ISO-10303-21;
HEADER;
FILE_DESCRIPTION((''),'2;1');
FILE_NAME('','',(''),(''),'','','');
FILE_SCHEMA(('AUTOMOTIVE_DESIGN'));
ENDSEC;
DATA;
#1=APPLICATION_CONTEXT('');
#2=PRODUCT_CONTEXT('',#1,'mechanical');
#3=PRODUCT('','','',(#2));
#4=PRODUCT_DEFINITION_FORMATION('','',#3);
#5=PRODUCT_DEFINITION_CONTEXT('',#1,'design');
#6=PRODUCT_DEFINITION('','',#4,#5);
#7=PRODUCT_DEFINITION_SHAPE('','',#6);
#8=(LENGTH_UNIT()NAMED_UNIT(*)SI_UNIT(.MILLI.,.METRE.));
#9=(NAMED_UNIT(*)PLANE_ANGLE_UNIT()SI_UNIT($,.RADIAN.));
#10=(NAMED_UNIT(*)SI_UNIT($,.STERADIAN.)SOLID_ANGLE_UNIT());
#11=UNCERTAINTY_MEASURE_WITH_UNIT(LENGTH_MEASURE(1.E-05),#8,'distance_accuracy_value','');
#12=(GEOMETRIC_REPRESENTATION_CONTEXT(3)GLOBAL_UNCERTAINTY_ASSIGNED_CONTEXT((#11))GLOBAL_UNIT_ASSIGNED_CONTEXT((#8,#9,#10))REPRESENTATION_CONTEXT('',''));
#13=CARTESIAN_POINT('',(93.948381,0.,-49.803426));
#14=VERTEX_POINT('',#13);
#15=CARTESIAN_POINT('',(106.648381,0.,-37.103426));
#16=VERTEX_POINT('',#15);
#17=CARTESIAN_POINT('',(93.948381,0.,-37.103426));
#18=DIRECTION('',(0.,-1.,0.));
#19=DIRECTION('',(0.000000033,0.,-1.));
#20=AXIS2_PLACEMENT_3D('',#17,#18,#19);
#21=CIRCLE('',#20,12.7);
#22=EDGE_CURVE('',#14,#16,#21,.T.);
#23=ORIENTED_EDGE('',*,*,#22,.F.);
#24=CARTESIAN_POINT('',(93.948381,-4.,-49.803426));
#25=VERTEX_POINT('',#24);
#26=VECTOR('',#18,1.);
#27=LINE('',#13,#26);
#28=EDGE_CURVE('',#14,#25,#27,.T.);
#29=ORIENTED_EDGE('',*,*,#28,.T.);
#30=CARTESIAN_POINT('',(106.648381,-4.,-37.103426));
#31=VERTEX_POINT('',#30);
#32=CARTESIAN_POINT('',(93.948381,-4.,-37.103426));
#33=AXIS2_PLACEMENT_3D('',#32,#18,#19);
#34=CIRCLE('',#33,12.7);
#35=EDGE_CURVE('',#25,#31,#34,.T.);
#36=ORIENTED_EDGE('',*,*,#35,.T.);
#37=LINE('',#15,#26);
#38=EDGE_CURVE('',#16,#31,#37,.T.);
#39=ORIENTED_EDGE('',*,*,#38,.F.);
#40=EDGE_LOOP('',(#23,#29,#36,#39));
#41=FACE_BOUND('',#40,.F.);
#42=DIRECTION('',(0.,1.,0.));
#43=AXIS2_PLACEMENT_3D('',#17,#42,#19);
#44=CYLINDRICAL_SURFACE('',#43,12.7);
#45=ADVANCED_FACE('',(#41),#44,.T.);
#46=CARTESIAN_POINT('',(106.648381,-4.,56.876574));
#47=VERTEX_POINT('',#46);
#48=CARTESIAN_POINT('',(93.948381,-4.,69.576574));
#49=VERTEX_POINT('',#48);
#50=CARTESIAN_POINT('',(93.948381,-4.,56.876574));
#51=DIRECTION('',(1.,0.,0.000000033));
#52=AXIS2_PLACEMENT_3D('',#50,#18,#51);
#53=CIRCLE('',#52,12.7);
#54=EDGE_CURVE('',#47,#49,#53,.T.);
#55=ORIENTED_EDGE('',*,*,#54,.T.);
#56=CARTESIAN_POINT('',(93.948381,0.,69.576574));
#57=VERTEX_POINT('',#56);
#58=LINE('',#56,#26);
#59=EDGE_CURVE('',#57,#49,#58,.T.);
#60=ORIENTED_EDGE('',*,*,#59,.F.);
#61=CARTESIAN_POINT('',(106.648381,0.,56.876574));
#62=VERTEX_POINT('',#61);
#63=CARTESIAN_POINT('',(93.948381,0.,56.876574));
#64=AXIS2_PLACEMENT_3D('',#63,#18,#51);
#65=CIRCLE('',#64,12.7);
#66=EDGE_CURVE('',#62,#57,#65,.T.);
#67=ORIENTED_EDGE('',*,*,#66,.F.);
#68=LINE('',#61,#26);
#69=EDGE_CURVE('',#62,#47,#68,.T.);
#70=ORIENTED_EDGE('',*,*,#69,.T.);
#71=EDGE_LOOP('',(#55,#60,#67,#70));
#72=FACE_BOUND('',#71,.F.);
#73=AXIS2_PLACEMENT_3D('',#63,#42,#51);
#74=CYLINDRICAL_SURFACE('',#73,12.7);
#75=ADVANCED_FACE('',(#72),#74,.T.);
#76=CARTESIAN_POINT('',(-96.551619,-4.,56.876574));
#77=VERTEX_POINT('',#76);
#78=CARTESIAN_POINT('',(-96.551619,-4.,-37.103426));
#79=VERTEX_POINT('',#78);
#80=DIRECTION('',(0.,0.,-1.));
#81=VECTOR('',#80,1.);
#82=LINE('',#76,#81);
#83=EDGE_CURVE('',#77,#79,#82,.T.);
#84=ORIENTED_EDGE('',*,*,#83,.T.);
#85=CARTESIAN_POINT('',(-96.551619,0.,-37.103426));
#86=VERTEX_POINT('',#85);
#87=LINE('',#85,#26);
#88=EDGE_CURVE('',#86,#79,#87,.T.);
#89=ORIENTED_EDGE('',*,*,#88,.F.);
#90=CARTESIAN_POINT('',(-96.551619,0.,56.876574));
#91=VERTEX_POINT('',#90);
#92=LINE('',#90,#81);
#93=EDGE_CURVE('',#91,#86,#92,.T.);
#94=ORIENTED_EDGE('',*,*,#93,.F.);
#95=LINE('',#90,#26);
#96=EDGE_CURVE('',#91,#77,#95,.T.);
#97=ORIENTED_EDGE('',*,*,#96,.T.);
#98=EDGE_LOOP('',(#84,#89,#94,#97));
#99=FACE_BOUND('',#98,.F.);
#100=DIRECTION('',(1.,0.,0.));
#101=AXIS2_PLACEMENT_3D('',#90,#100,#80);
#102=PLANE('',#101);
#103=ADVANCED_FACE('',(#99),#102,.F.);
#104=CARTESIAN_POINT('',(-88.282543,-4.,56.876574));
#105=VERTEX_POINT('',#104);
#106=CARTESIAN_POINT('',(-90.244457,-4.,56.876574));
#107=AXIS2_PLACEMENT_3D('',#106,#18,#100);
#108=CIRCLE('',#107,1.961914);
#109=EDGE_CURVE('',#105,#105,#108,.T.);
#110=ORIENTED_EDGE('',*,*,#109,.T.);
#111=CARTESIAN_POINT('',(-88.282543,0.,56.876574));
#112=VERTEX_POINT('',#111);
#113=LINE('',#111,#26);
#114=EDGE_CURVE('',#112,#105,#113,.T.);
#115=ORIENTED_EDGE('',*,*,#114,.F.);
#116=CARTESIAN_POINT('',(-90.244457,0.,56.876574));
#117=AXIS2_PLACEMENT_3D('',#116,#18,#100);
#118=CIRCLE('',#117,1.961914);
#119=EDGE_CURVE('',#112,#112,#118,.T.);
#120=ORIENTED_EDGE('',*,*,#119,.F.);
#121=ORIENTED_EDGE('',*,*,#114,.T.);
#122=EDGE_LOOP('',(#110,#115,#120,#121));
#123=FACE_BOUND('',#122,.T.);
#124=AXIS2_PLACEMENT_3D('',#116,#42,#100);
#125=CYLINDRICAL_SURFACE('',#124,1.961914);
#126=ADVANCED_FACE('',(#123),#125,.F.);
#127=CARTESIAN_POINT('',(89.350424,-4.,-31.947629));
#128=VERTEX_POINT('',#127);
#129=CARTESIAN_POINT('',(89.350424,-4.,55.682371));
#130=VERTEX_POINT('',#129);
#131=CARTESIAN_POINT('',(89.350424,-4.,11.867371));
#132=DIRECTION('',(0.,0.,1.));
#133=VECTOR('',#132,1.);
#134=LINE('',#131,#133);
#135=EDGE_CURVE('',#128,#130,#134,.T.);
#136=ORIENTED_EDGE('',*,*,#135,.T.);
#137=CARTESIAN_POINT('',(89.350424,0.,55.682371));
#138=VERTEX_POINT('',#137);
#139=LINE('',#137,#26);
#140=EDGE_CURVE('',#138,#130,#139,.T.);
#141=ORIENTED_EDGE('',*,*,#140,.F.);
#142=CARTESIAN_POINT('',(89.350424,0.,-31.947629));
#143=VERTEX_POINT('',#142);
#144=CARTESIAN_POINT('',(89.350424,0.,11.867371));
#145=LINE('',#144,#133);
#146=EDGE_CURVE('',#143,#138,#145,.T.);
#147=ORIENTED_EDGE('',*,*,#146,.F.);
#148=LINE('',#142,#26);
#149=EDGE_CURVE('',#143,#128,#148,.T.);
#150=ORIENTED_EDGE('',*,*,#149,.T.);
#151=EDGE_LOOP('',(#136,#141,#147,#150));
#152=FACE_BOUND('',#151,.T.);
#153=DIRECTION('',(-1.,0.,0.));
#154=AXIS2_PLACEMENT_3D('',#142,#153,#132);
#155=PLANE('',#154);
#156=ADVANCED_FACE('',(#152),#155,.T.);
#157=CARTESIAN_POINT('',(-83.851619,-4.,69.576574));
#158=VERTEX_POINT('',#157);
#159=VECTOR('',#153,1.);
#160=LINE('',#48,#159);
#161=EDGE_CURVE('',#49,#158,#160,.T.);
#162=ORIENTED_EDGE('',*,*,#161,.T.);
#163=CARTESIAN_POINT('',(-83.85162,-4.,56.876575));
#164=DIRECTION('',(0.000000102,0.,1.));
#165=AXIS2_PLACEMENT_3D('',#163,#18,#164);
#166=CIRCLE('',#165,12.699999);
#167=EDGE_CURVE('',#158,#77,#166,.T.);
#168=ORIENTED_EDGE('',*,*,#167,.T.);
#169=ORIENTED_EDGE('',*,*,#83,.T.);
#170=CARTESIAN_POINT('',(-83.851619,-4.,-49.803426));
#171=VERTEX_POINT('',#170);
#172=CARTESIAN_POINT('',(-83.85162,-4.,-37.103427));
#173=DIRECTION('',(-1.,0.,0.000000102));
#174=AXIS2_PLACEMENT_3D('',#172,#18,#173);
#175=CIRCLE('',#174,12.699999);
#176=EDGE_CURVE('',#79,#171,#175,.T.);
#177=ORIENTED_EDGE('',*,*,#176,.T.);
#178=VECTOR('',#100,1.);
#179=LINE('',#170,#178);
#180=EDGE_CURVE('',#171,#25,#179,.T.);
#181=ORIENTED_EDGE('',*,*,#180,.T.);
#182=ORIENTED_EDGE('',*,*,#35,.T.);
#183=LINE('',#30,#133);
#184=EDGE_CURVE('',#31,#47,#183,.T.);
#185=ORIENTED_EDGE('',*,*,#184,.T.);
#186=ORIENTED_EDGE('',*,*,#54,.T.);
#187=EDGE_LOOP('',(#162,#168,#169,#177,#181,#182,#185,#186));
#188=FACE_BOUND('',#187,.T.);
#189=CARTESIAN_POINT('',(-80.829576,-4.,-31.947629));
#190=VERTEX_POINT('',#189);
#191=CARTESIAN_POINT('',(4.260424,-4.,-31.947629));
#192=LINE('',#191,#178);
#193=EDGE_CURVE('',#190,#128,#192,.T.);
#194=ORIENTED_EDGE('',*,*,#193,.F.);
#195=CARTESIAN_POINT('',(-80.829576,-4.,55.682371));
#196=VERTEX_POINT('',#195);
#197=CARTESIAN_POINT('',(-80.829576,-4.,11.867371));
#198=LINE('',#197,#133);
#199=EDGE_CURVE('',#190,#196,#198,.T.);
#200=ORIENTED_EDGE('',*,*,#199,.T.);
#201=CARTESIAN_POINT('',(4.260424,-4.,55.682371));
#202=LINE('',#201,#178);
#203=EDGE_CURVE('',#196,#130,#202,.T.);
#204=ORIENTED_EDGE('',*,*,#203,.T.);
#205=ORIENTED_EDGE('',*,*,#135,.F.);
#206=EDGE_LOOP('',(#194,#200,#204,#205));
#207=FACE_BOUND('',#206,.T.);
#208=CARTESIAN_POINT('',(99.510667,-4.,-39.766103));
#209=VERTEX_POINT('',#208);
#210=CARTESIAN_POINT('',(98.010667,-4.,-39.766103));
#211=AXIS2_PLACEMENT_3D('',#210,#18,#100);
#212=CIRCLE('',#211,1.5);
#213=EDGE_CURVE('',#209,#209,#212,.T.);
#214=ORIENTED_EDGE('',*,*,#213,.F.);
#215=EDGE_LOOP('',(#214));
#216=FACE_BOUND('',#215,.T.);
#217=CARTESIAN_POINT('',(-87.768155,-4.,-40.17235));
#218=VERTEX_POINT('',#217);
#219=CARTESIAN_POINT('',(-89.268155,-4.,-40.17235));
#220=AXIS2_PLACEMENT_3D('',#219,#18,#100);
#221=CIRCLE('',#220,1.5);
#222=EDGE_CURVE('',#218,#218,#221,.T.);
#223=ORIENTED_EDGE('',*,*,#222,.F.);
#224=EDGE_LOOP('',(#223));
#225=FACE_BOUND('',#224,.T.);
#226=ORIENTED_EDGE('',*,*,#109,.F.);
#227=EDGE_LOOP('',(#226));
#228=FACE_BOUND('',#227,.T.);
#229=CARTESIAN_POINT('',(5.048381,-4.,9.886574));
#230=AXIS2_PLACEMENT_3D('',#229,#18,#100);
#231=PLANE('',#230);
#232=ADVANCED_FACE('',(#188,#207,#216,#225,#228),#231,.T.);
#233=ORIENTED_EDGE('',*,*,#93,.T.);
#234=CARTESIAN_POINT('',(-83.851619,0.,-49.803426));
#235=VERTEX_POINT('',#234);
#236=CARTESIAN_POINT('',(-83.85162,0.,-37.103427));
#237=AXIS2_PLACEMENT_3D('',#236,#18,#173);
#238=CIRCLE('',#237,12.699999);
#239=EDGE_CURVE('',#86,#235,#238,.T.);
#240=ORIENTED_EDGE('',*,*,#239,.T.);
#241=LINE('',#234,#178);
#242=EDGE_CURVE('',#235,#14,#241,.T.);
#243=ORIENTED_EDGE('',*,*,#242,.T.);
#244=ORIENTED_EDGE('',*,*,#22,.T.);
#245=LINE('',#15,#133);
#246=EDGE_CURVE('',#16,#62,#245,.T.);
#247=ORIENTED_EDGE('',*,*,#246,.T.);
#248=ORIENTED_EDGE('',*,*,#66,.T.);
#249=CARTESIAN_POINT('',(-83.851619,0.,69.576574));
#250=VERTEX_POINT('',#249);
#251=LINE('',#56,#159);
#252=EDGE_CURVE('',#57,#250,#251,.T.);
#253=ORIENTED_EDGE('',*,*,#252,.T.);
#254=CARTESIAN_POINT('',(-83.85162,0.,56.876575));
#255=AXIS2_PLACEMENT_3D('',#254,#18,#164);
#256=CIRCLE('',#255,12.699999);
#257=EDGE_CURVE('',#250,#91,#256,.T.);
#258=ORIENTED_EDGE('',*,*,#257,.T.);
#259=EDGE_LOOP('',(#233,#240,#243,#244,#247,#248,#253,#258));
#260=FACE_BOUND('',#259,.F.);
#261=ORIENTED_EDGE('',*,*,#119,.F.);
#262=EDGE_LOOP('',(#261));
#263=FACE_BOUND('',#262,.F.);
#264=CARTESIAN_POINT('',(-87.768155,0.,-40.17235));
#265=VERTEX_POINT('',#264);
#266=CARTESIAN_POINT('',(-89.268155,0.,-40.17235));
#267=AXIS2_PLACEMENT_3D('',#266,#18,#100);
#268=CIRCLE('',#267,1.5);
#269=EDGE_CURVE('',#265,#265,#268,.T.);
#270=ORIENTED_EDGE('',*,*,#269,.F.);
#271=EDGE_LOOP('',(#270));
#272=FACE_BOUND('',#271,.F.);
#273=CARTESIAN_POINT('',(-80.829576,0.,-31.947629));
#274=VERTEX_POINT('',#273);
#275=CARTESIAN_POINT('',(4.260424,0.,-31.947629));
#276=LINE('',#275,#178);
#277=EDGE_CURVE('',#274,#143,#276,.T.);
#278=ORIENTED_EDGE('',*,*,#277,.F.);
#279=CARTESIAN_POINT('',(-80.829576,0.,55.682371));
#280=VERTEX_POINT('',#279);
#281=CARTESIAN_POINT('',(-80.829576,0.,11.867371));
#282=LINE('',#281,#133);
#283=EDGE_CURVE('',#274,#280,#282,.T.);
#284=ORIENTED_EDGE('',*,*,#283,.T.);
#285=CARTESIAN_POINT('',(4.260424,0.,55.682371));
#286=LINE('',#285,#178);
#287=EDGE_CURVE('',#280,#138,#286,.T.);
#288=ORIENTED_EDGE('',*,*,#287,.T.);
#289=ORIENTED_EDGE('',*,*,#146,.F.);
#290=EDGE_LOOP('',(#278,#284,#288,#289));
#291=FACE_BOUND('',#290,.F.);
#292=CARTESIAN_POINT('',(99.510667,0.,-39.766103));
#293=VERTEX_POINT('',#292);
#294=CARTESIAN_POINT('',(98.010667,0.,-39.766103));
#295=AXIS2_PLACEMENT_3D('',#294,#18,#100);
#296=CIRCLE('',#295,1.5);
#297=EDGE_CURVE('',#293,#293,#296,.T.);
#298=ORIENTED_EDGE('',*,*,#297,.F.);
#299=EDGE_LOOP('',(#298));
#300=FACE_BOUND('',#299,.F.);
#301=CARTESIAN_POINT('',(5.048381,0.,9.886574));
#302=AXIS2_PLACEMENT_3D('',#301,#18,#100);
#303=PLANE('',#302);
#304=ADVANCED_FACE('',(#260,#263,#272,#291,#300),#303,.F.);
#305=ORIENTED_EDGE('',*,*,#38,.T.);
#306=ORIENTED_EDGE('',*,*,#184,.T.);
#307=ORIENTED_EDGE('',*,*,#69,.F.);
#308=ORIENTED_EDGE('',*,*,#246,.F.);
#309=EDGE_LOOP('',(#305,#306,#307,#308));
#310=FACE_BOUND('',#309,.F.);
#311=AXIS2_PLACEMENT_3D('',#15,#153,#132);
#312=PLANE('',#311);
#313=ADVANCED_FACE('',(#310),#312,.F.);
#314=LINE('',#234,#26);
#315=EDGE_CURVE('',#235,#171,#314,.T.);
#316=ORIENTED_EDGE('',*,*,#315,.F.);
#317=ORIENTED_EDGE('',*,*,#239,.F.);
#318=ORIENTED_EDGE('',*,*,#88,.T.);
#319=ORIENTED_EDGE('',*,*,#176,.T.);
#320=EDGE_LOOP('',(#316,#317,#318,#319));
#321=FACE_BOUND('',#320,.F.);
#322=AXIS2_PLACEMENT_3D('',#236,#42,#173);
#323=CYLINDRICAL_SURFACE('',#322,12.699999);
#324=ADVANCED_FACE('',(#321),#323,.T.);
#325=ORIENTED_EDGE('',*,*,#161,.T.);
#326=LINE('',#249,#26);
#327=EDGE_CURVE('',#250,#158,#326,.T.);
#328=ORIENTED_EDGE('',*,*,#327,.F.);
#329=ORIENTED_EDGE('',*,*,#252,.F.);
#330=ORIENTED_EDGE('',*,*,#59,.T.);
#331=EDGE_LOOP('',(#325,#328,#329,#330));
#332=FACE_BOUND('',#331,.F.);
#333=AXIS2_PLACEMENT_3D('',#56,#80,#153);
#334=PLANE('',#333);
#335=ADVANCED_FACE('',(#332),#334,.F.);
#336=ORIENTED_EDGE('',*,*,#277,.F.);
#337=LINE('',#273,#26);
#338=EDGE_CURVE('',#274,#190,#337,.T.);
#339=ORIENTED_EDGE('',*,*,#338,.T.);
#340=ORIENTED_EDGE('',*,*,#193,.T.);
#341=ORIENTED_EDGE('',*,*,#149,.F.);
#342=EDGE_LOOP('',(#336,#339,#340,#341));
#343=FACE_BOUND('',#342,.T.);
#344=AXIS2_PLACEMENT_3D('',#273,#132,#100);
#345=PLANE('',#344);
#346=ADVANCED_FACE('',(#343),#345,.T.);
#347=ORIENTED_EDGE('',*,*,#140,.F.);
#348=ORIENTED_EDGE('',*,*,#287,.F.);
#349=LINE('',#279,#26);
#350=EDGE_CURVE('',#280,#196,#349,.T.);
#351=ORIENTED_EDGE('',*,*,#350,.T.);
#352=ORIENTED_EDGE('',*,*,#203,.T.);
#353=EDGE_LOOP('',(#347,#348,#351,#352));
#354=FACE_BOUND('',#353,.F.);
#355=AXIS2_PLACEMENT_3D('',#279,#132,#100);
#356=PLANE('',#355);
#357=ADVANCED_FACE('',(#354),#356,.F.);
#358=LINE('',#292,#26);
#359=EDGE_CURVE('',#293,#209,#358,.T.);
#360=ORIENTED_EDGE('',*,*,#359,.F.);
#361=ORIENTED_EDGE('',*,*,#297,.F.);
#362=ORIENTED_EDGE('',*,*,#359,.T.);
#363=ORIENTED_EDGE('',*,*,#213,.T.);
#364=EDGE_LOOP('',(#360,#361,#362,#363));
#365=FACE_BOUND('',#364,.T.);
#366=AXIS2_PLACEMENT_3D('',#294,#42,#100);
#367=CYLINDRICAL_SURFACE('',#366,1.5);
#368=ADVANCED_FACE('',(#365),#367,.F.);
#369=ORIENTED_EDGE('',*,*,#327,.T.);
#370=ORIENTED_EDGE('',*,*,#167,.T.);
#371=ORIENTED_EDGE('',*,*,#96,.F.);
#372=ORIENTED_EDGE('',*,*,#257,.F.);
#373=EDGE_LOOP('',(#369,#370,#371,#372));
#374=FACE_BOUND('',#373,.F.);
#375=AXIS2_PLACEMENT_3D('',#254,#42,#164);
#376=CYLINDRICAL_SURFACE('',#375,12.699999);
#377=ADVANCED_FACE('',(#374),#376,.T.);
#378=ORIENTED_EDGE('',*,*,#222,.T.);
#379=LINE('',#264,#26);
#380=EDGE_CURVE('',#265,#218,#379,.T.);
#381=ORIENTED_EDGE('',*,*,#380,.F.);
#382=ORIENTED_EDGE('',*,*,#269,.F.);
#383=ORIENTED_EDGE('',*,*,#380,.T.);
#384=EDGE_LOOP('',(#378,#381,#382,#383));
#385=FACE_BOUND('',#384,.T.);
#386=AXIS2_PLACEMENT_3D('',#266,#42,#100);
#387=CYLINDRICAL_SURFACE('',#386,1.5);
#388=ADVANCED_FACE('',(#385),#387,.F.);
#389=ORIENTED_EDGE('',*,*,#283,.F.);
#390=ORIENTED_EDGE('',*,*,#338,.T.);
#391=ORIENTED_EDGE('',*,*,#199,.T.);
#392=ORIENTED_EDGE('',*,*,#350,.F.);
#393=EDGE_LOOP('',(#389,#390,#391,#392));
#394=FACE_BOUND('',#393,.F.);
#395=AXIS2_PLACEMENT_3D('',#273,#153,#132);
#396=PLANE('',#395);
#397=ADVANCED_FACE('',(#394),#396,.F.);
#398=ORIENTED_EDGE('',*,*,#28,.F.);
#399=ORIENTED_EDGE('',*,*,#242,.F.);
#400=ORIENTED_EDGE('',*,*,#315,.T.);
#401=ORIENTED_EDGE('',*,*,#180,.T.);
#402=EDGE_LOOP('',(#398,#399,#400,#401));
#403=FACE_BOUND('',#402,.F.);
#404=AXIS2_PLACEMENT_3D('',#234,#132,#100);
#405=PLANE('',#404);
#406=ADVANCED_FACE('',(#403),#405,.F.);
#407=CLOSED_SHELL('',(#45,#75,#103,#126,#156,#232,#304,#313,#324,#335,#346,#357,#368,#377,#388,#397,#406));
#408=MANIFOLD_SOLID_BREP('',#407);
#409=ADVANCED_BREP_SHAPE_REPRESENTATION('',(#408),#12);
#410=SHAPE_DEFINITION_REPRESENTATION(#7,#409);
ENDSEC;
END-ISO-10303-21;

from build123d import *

# Parameters (mm, degrees)
F0_R     = 1.5
F0_W     = 170.18
F0_H     = 87.63
F0_R_2   = 1.961914
F1_DEPTH = 4


with BuildPart() as f1:
    # F0 (on Front) → F1 (new body)
    with BuildSketch(Plane.XZ):
        with BuildLine():
            Line((93.948381, 69.576574), (-83.851619, 69.576574))
            ThreePointArc((-83.851619, 69.576574), (-92.831876, 65.85683), (-96.551619, 56.876574))
            Line((-96.551619, 56.876574), (-96.551619, -37.103426))
            ThreePointArc((-96.551619, -37.103426), (-92.831876, -46.083682), (-83.851619, -49.803426))
            Line((-83.851619, -49.803426), (93.948381, -49.803426))
            ThreePointArc((93.948381, -49.803426), (102.928637, -46.083682), (106.648381, -37.103426))
            Line((106.648381, -37.103426), (106.648381, 56.876574))
            ThreePointArc((106.648381, 56.876574), (102.928637, 65.85683), (93.948381, 69.576574))
        make_face()
        with Locations((-89.268155, -40.17235)):
            Circle(F0_R, mode=Mode.SUBTRACT)
        with Locations((98.010667, -39.766103)):
            Circle(F0_R, mode=Mode.SUBTRACT)
        with Locations((4.260424, 11.867371)):
            Rectangle(F0_W, F0_H, mode=Mode.SUBTRACT)
        with Locations((-90.244457, 56.876574)):
            Circle(F0_R_2, mode=Mode.SUBTRACT)
    extrude(amount=F1_DEPTH)


solid = f1.part
